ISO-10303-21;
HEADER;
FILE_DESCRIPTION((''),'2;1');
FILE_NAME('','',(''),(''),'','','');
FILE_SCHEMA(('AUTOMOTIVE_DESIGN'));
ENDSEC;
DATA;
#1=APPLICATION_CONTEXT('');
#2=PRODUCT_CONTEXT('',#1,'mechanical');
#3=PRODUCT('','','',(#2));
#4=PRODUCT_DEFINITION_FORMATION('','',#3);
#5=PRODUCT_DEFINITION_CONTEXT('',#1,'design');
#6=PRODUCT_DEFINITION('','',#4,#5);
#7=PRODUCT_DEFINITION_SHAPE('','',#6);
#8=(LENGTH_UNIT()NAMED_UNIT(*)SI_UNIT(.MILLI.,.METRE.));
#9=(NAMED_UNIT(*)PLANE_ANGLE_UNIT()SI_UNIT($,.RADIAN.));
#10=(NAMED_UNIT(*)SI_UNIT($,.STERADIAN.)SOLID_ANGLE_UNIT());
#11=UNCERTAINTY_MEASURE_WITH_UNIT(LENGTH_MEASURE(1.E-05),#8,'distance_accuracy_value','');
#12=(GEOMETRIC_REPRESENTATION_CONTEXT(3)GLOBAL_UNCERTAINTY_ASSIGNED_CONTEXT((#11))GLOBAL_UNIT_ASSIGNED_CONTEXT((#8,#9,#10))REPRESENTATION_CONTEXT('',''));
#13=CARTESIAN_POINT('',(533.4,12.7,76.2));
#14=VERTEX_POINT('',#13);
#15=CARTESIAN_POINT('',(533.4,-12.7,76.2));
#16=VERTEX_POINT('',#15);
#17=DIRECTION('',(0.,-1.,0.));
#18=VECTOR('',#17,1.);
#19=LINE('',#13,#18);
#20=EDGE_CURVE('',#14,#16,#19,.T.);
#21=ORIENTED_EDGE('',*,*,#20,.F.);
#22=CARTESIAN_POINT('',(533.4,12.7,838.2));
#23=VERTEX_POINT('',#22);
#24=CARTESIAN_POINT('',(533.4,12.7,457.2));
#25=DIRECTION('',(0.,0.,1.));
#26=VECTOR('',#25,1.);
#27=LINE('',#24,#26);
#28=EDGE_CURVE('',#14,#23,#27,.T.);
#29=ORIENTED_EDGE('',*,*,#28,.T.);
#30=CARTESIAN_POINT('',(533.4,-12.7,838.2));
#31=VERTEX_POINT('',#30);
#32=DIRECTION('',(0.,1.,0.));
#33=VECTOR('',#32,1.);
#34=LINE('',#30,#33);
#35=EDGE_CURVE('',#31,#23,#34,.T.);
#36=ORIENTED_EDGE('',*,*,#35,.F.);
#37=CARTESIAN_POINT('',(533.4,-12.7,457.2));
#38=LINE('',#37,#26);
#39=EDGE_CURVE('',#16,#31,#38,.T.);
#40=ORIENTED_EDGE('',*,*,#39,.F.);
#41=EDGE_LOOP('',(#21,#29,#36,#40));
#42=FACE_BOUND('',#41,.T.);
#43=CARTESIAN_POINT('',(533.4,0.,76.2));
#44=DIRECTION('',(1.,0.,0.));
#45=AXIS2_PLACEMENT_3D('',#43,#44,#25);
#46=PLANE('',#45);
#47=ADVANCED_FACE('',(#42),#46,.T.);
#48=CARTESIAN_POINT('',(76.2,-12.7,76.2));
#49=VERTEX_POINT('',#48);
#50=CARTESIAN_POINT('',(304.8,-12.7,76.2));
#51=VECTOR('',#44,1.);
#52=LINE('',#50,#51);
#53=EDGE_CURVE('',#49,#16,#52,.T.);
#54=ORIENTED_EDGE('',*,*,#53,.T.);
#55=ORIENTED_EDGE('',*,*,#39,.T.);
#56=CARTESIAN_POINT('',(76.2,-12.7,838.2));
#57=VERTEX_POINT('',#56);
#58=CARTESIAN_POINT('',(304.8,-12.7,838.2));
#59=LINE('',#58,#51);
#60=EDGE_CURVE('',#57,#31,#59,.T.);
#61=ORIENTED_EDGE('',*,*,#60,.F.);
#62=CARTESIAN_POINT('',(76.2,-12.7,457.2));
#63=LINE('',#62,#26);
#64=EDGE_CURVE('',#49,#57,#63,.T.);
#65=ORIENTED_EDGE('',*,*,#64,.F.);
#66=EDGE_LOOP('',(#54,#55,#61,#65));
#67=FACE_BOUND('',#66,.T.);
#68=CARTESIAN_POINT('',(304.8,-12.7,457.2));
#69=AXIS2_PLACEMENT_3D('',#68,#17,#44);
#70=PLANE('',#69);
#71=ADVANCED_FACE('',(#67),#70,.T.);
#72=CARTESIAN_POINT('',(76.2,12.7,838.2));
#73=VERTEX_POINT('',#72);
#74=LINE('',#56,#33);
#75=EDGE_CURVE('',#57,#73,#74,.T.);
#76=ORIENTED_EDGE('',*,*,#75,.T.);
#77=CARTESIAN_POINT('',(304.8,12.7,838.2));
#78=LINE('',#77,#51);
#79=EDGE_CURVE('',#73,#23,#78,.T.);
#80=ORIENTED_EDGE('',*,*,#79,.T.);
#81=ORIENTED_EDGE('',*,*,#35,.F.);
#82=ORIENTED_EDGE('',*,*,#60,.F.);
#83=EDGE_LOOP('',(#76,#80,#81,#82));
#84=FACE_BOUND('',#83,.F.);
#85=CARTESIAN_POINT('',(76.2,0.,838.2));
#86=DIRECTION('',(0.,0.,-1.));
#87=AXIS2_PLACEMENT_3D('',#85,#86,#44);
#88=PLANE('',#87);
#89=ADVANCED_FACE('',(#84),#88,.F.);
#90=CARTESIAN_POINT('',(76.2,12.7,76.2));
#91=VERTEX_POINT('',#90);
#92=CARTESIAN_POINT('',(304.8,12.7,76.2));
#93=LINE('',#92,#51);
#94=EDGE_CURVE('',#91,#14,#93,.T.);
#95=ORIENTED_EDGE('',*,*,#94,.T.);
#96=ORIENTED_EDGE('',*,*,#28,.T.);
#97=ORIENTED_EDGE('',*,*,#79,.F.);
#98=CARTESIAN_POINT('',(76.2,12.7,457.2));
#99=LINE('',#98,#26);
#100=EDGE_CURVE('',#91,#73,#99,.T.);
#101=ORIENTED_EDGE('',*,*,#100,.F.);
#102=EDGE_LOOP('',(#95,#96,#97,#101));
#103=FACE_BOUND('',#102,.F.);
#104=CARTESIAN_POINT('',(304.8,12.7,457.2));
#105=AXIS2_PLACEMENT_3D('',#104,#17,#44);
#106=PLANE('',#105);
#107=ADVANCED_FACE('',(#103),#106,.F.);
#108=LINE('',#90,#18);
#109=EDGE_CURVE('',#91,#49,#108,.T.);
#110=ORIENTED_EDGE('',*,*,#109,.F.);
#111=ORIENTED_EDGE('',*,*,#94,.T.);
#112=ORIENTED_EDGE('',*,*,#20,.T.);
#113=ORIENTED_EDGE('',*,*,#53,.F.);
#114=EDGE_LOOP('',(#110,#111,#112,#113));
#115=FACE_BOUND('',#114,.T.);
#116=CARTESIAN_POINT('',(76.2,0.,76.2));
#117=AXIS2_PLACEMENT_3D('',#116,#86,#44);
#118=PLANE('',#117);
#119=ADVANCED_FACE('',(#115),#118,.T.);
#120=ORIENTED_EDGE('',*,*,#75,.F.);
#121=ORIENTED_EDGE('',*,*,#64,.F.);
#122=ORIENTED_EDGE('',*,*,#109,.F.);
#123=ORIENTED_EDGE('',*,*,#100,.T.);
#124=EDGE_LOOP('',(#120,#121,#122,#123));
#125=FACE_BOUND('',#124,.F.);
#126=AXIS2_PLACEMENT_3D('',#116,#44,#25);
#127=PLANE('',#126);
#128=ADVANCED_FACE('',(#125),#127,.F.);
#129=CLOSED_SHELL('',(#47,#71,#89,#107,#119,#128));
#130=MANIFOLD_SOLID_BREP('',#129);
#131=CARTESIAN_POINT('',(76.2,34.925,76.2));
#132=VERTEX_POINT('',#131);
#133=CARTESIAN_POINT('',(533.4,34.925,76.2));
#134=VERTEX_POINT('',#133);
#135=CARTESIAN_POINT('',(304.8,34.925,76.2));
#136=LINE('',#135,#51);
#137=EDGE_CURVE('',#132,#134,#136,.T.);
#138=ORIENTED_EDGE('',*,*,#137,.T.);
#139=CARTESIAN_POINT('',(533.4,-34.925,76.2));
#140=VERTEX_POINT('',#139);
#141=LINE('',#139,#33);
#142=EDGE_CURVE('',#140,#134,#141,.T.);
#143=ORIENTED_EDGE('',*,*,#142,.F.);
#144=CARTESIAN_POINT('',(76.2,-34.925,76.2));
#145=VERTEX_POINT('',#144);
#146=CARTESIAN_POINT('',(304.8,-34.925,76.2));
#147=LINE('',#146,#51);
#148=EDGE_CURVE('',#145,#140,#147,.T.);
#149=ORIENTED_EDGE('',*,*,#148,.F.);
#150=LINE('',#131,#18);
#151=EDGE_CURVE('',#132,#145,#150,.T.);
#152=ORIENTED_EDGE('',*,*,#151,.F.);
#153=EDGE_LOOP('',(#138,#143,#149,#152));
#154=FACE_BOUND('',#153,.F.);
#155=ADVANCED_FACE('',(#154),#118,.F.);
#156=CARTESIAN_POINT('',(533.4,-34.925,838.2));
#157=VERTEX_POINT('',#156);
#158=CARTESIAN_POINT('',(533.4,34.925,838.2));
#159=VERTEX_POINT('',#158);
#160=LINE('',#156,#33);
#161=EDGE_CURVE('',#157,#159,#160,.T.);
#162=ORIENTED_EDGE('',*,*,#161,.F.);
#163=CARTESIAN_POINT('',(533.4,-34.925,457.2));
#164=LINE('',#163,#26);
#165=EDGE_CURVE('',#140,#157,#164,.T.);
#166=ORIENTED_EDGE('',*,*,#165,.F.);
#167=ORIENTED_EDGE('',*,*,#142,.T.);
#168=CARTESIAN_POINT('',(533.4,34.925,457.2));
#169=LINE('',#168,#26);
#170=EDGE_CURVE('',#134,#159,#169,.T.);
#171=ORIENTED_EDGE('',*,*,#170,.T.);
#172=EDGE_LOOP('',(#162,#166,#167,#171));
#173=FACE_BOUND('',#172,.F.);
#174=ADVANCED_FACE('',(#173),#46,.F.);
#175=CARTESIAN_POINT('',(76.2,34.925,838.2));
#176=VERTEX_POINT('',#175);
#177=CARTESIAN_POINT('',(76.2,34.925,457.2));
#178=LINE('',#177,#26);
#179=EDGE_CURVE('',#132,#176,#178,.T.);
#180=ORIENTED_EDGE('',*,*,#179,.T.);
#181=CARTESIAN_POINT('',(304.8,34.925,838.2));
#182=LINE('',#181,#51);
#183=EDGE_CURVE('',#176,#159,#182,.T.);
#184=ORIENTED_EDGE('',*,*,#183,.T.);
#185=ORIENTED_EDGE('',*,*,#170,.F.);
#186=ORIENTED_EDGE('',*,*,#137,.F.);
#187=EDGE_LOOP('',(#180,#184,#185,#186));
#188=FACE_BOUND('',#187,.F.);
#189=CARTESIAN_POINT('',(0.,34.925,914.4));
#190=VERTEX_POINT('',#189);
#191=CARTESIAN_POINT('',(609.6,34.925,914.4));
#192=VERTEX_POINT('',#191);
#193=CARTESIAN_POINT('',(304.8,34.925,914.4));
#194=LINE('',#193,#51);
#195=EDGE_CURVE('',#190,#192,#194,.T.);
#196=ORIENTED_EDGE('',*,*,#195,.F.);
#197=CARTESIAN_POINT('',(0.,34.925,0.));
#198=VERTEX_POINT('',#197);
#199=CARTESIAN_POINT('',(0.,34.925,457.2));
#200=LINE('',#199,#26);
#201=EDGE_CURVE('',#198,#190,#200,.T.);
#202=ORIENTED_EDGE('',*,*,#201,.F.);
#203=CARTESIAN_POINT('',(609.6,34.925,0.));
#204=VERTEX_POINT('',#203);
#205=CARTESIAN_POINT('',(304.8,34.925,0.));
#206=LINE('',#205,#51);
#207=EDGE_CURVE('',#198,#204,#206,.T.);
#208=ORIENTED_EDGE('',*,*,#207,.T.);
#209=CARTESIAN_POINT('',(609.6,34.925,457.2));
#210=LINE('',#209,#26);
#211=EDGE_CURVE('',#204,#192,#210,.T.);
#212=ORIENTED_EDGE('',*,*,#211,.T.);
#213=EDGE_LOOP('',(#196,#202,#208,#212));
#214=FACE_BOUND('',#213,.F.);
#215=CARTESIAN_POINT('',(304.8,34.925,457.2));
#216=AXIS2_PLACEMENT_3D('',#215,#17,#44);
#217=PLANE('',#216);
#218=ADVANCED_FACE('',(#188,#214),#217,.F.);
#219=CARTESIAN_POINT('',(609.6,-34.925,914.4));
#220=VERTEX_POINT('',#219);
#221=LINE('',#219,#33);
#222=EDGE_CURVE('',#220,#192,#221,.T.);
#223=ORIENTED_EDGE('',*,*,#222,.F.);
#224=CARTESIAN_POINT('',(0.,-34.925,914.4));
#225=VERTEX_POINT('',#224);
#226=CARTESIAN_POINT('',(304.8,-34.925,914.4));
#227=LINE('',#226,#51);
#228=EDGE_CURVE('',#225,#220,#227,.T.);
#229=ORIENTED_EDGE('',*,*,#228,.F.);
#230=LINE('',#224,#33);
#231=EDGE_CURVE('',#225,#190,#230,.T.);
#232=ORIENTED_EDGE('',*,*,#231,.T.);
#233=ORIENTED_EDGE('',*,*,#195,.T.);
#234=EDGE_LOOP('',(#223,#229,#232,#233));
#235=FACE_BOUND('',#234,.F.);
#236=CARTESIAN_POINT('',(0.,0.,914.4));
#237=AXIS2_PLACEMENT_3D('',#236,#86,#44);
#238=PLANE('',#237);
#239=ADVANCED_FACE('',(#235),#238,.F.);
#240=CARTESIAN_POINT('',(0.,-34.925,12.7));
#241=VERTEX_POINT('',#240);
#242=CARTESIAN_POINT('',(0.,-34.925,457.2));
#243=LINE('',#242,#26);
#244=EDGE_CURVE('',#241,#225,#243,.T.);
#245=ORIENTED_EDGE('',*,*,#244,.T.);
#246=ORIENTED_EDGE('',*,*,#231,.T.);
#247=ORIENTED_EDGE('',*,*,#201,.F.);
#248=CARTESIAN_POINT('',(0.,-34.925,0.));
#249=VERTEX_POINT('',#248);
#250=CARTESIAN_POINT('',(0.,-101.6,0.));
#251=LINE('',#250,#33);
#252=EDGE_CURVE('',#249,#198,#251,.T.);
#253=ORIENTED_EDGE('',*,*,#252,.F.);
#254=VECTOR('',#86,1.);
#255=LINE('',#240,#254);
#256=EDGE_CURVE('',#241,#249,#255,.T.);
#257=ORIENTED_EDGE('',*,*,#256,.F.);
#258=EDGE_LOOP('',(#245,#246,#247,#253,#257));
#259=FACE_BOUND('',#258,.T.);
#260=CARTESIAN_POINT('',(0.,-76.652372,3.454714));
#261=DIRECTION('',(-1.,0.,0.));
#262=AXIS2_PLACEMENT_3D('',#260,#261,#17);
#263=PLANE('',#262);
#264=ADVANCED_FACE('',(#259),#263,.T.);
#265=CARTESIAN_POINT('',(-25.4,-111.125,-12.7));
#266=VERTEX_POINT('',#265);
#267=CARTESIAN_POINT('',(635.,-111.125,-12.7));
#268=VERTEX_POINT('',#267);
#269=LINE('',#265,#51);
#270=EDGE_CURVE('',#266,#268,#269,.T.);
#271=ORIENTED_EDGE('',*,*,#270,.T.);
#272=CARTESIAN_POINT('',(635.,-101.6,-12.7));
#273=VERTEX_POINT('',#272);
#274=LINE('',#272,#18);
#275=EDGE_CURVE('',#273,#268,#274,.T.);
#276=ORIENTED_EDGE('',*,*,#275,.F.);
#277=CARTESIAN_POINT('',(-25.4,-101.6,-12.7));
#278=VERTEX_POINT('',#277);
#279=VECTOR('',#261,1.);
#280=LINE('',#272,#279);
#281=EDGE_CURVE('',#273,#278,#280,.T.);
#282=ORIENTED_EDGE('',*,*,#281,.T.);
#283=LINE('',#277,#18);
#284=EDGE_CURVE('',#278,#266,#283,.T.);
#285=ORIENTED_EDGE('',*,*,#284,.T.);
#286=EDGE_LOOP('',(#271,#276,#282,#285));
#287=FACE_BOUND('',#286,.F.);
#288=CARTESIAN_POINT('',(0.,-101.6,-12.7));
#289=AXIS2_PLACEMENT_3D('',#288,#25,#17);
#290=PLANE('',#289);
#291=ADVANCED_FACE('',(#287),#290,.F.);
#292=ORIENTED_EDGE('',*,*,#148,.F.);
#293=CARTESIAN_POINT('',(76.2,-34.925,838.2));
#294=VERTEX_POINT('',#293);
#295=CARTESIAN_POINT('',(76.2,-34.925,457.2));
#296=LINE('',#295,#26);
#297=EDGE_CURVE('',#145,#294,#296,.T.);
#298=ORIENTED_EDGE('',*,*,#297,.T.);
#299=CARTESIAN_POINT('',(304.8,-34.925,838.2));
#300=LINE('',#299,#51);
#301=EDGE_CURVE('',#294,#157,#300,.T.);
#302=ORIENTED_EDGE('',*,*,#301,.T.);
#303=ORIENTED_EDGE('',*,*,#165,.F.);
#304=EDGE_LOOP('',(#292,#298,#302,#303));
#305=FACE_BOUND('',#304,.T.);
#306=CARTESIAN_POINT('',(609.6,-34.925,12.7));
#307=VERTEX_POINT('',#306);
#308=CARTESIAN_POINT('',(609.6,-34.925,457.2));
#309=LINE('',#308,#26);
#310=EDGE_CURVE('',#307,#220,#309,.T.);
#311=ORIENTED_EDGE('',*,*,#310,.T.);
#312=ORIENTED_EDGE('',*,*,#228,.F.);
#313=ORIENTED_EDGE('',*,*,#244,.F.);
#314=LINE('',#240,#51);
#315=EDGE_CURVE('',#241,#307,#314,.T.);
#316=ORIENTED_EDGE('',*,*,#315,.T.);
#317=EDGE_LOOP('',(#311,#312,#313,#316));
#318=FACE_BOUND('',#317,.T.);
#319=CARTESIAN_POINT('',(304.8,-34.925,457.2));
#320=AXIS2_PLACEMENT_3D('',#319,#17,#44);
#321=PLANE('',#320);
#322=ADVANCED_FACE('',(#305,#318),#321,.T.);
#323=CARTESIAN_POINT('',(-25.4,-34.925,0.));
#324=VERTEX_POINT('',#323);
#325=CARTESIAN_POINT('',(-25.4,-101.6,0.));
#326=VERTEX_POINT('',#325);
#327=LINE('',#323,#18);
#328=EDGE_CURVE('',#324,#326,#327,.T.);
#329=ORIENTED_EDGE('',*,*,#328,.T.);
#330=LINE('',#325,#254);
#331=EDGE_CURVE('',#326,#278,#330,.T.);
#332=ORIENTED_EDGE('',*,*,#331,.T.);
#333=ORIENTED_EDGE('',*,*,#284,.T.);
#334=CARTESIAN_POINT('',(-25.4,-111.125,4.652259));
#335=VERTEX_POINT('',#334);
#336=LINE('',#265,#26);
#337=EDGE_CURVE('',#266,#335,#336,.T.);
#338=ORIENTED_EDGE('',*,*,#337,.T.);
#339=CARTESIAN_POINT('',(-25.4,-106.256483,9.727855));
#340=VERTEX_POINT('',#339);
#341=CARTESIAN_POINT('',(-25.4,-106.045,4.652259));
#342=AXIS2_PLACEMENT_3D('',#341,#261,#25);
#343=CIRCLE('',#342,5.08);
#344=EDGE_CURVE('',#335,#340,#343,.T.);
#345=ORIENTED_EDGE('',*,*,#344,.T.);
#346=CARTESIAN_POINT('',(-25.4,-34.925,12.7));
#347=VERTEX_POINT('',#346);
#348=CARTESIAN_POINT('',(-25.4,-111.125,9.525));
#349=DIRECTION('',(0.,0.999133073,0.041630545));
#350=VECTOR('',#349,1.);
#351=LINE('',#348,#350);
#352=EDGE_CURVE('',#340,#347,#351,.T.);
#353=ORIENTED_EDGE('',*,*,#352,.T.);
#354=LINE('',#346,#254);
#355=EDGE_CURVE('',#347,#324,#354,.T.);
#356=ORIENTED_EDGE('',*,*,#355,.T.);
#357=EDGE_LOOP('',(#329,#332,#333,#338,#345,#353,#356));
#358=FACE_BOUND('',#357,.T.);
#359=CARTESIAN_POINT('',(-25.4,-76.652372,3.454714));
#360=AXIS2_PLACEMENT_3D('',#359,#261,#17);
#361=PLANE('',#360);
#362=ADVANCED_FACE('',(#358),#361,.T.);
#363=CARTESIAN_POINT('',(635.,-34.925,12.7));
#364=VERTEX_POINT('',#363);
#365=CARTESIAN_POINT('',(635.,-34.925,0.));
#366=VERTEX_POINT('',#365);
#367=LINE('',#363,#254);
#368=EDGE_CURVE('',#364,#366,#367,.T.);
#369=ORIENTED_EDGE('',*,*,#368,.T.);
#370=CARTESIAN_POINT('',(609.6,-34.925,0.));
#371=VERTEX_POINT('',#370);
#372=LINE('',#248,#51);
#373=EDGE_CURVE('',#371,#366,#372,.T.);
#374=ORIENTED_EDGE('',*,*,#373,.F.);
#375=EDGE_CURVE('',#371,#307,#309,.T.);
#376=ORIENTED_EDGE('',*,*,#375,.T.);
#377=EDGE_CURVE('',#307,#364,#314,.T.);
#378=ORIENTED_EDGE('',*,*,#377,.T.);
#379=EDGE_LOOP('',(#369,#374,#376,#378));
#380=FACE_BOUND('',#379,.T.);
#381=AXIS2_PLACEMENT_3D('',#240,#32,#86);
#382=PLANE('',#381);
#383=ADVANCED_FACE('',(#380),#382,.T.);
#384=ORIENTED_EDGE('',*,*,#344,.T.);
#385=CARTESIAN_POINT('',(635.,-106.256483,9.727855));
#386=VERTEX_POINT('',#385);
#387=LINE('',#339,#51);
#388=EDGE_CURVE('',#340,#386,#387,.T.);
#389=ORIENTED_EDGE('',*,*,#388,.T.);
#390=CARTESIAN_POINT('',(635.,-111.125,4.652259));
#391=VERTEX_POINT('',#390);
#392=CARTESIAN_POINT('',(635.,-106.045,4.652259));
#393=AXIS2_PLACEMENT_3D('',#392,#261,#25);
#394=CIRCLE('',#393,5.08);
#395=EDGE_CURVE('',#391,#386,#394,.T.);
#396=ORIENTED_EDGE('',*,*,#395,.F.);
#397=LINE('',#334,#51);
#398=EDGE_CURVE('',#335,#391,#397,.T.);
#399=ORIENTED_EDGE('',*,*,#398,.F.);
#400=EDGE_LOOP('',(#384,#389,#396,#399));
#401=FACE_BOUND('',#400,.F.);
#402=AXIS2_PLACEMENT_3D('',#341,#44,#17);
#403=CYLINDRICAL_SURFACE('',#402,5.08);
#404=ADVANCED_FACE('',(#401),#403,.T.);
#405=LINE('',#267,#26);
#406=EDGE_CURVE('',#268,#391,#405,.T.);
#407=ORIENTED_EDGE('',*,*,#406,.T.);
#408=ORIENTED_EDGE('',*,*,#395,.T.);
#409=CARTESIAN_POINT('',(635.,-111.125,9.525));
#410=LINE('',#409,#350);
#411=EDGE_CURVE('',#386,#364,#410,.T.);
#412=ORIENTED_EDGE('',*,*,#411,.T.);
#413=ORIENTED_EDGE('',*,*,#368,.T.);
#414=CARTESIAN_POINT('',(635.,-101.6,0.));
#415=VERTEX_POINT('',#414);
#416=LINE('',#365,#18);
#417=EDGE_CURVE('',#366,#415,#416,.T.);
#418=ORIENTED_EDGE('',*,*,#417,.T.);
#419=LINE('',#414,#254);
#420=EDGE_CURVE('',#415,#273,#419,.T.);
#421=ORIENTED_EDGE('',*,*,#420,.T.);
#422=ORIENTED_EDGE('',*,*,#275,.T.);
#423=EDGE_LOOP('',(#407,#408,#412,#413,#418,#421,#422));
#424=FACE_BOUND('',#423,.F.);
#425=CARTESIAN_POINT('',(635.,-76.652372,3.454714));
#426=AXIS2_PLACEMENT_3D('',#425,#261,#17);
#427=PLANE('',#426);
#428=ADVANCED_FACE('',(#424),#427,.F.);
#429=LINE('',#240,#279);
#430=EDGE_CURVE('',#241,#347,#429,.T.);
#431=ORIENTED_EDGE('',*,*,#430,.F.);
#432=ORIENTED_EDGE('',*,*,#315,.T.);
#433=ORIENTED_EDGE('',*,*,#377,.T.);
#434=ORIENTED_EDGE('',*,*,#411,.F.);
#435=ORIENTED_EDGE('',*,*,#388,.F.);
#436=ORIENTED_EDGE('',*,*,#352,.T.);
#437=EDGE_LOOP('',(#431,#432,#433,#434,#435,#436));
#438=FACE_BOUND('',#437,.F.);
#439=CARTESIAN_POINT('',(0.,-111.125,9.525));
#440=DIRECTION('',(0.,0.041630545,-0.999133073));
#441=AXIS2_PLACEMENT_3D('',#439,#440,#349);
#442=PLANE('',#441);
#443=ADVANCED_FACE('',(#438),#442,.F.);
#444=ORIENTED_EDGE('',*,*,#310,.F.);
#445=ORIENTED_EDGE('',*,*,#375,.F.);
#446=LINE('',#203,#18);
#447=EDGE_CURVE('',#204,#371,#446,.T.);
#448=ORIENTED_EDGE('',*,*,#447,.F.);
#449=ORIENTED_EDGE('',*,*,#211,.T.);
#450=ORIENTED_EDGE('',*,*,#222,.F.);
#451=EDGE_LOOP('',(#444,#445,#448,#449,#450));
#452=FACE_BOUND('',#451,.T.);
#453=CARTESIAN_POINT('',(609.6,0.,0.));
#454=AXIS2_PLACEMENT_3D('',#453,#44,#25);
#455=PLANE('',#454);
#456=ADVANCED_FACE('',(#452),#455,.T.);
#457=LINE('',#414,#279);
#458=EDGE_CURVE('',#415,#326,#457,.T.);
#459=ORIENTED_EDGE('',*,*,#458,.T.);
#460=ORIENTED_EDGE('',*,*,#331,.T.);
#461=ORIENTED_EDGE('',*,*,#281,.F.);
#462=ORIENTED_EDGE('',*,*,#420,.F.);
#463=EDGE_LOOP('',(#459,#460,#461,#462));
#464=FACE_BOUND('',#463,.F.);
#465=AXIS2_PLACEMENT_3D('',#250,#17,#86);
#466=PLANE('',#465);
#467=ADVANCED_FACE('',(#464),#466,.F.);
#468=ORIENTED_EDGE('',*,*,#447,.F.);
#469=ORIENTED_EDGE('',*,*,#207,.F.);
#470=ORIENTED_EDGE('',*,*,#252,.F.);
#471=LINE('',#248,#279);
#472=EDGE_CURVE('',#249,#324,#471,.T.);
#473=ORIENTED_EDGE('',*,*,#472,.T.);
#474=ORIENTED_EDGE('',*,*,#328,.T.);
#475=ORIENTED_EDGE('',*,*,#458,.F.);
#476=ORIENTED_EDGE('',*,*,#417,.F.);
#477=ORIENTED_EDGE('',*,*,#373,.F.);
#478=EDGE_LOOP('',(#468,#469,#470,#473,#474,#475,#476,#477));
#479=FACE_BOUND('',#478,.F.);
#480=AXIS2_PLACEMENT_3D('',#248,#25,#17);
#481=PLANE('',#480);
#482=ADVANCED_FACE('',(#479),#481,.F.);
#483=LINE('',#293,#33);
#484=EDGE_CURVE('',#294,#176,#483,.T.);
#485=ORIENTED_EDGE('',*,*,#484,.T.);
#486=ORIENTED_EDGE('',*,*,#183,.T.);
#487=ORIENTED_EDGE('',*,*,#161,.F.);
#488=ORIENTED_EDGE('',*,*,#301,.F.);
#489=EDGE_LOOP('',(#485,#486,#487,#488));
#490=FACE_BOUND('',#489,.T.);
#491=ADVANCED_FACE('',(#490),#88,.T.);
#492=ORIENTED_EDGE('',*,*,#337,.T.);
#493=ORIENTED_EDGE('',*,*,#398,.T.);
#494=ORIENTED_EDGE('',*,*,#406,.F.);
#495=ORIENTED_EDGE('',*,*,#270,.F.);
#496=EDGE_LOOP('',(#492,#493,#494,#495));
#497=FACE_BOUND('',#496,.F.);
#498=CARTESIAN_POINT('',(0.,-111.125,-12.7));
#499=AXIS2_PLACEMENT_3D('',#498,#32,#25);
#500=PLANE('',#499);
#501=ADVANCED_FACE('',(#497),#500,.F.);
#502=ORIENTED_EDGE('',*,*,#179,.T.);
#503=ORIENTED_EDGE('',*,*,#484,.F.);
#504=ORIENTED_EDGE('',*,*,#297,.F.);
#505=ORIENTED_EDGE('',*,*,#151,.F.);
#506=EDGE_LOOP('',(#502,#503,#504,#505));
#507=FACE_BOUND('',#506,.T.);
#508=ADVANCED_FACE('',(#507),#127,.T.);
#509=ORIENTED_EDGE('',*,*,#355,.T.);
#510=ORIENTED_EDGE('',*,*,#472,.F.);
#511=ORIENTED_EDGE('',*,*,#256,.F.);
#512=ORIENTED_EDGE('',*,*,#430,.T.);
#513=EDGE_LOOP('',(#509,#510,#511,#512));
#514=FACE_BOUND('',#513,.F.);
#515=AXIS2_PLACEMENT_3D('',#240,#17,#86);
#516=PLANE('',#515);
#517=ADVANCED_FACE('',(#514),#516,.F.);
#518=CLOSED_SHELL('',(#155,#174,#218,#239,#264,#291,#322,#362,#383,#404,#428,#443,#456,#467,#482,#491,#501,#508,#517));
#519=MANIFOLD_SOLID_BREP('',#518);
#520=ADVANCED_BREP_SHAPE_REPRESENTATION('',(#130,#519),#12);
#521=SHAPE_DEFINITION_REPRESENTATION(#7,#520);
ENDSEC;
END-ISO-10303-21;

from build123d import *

# Parameters (mm, degrees)
F0_W          = 609.6
F0_H          = 914.4
F0_W_2        = 457.2
F0_H_2        = 762
F1_DEPTH      = 34.925
F2_W          = 457.2
F2_H          = 762
F3_DEPTH      = 12.7
F5_DEPTH      = 635
F5_DEPTH_BACK = 25.4
F6_R          = 5.08


with BuildPart() as f1:
    # F0 (on Front) → F1 (new body, symmetric)
    with BuildSketch(Plane.XZ):
        with Locations((304.8, 457.2)):
            Rectangle(F0_W, F0_H)
        with Locations((304.8, 457.2)):
            Rectangle(F0_W_2, F0_H_2, mode=Mode.SUBTRACT)
    extrude(amount=F1_DEPTH, both=True)

    # F4 (on face) → F5 (join, two sides)
    with BuildSketch(Plane(origin=(0, 0, 0), x_dir=(0, -1, 0), z_dir=(-1, 0, 0))) as f5_sk:
        Polygon((34.925, 12.7), (34.925, 0), (101.6, 0), (101.6, -12.7), (111.125, -12.7), (111.125, 9.525), align=None)
    extrude(amount=-F5_DEPTH)
    extrude(f5_sk.sketch, amount=F5_DEPTH_BACK)

    # F6
    f6_edges = [f1.edges().sort_by_distance(p)[0] for p in [
        (304.8, -111.125, 9.525),
    ]]
    fillet(f6_edges, radius=F6_R)


with BuildPart() as f3:
    # F2 (on Front) → F3 (new body, symmetric)
    with BuildSketch(Plane.XZ):
        with Locations((304.8, 457.2)):
            Rectangle(F2_W, F2_H)
    extrude(amount=F3_DEPTH, both=True)


solid = Compound([f1.part, f3.part])
